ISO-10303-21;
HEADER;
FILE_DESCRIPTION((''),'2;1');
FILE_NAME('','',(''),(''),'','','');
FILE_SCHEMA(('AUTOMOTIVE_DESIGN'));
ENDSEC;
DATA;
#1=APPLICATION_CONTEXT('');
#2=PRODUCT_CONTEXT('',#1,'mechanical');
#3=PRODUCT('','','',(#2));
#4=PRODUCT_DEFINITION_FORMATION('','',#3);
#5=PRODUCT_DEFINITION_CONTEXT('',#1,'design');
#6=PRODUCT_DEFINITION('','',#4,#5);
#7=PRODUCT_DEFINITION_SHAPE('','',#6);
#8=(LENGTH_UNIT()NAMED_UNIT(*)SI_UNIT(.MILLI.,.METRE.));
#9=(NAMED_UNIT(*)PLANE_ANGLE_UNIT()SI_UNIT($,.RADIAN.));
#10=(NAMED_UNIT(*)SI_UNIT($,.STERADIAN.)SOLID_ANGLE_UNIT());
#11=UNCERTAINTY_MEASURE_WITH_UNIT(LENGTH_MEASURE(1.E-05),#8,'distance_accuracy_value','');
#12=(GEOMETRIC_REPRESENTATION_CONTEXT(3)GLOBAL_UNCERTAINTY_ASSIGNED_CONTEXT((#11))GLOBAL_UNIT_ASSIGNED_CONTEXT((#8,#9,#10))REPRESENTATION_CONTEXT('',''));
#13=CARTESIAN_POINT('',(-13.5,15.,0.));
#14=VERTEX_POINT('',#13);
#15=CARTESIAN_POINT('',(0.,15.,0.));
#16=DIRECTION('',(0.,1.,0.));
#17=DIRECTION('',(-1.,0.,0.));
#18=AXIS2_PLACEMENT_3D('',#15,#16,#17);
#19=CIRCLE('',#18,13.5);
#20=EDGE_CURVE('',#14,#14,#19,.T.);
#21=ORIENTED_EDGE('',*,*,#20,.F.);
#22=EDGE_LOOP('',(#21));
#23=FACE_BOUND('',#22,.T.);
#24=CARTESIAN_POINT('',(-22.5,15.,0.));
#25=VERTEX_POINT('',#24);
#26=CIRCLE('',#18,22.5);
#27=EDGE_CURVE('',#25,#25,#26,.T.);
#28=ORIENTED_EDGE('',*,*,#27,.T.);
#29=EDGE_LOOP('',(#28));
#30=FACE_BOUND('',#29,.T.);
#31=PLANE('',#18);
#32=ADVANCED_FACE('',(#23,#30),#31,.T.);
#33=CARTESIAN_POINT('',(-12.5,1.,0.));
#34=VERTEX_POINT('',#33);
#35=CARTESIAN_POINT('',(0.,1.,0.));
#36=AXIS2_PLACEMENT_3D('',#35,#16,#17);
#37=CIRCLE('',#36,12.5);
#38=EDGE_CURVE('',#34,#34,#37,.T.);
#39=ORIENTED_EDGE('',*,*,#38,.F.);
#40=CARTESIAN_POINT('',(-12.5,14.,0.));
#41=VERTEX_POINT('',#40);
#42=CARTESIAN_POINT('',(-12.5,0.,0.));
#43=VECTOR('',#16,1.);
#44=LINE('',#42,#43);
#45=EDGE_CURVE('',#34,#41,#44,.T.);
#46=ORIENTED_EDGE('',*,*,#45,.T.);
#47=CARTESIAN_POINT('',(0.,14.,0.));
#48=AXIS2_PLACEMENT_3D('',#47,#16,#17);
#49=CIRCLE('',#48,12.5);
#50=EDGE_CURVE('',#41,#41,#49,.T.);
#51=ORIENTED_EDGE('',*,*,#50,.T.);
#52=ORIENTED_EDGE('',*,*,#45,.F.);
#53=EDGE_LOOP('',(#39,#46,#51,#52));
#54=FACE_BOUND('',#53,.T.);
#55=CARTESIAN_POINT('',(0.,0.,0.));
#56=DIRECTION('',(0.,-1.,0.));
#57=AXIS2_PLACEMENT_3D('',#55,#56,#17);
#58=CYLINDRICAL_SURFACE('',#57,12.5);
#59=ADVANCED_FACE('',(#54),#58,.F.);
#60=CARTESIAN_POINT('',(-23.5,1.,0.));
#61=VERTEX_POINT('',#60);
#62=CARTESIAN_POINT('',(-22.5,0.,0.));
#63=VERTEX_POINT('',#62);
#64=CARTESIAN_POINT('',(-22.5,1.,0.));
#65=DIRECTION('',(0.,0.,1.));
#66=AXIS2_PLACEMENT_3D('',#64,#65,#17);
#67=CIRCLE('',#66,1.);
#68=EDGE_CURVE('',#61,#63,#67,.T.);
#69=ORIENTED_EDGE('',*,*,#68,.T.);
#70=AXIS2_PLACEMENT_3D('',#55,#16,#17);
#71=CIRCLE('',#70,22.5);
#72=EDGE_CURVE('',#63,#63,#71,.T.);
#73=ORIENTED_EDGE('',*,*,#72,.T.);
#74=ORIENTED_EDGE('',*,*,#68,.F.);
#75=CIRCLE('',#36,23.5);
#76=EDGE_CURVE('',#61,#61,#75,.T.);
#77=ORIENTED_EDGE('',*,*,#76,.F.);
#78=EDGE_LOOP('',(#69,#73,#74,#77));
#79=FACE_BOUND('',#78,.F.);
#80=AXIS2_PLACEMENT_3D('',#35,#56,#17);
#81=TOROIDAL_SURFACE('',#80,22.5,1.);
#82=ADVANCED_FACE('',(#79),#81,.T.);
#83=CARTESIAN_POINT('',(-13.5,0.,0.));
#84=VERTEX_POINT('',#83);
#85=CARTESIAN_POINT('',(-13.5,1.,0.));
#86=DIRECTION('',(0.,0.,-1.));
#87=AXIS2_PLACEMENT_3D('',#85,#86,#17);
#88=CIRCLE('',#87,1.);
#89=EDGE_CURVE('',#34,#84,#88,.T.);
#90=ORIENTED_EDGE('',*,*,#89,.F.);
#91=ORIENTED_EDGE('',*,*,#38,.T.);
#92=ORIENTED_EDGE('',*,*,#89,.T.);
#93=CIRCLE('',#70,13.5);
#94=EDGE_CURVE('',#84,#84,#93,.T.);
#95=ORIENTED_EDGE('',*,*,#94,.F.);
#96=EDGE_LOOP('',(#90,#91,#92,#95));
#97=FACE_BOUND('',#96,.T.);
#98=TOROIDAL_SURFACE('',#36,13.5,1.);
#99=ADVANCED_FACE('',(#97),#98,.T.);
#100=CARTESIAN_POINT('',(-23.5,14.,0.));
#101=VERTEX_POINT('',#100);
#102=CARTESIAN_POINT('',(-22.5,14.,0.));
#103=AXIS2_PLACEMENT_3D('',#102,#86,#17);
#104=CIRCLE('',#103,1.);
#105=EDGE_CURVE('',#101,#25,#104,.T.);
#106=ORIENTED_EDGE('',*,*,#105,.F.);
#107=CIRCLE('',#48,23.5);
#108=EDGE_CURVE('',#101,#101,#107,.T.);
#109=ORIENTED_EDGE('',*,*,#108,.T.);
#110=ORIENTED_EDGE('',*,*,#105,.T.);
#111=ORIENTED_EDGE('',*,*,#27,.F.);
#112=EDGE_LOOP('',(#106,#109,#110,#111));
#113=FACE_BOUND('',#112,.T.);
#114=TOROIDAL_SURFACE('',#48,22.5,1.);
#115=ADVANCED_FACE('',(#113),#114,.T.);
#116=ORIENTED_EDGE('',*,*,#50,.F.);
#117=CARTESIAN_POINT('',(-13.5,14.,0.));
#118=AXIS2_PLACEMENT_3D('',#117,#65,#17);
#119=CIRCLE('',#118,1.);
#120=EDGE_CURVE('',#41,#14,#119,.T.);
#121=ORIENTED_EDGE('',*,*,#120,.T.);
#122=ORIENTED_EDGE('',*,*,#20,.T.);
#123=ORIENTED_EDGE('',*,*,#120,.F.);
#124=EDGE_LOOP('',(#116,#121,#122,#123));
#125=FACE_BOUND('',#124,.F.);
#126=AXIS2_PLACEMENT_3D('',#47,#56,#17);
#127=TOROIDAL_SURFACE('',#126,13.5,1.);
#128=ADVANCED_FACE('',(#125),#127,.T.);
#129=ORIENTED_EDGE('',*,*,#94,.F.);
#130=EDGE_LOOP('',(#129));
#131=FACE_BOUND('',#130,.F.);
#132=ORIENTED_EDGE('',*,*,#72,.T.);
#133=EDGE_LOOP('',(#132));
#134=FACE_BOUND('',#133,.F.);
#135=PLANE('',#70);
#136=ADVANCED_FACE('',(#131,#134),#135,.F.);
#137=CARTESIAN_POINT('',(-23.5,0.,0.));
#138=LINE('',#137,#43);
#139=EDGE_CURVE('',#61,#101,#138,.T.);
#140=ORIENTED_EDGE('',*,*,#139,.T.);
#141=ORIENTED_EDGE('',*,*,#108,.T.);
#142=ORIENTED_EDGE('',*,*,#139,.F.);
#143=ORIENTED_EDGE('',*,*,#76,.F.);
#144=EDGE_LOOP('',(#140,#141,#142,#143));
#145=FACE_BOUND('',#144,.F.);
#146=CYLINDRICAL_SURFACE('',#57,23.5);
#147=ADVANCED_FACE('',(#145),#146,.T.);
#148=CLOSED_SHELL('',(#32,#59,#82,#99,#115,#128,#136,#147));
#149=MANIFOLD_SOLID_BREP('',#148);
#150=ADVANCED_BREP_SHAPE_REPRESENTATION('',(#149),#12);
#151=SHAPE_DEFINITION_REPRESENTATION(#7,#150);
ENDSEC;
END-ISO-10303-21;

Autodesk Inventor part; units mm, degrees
ref_plane "YZ Plane" through (0, 0, 0) normal (1, 0, 0) x (0, 1, 0)
ref_plane "XZ Plane" through (0, 0, 0) normal (0, 1, 0) x (-1, 0, 0)
ref_plane "XY Plane" through (0, 0, 0) normal (0, 0, 1) x (1, 0, 0)
sketch "Sketch1" plane through (0, 0, 0) normal (0, 1, 0) x (-1, 0, 0)
  circle A0 centre (0, 0) radius 12.5
  circle A1 centre (0, 0) radius 23.5
  dimension "d0" = 25
  dimension "d1" = 47
extrude "Extrusion1" add sketch "Sketch1" along normal blind 15
fillet "Fillet1" radius 1 4 edges at (12.5, 15, 0) (12.5, 0, 0) (23.5, 0, 0) (23.5, 15, 0)
properties part number "ThrustBearing_OD_47_ID_25_W_15" material "Steel"
